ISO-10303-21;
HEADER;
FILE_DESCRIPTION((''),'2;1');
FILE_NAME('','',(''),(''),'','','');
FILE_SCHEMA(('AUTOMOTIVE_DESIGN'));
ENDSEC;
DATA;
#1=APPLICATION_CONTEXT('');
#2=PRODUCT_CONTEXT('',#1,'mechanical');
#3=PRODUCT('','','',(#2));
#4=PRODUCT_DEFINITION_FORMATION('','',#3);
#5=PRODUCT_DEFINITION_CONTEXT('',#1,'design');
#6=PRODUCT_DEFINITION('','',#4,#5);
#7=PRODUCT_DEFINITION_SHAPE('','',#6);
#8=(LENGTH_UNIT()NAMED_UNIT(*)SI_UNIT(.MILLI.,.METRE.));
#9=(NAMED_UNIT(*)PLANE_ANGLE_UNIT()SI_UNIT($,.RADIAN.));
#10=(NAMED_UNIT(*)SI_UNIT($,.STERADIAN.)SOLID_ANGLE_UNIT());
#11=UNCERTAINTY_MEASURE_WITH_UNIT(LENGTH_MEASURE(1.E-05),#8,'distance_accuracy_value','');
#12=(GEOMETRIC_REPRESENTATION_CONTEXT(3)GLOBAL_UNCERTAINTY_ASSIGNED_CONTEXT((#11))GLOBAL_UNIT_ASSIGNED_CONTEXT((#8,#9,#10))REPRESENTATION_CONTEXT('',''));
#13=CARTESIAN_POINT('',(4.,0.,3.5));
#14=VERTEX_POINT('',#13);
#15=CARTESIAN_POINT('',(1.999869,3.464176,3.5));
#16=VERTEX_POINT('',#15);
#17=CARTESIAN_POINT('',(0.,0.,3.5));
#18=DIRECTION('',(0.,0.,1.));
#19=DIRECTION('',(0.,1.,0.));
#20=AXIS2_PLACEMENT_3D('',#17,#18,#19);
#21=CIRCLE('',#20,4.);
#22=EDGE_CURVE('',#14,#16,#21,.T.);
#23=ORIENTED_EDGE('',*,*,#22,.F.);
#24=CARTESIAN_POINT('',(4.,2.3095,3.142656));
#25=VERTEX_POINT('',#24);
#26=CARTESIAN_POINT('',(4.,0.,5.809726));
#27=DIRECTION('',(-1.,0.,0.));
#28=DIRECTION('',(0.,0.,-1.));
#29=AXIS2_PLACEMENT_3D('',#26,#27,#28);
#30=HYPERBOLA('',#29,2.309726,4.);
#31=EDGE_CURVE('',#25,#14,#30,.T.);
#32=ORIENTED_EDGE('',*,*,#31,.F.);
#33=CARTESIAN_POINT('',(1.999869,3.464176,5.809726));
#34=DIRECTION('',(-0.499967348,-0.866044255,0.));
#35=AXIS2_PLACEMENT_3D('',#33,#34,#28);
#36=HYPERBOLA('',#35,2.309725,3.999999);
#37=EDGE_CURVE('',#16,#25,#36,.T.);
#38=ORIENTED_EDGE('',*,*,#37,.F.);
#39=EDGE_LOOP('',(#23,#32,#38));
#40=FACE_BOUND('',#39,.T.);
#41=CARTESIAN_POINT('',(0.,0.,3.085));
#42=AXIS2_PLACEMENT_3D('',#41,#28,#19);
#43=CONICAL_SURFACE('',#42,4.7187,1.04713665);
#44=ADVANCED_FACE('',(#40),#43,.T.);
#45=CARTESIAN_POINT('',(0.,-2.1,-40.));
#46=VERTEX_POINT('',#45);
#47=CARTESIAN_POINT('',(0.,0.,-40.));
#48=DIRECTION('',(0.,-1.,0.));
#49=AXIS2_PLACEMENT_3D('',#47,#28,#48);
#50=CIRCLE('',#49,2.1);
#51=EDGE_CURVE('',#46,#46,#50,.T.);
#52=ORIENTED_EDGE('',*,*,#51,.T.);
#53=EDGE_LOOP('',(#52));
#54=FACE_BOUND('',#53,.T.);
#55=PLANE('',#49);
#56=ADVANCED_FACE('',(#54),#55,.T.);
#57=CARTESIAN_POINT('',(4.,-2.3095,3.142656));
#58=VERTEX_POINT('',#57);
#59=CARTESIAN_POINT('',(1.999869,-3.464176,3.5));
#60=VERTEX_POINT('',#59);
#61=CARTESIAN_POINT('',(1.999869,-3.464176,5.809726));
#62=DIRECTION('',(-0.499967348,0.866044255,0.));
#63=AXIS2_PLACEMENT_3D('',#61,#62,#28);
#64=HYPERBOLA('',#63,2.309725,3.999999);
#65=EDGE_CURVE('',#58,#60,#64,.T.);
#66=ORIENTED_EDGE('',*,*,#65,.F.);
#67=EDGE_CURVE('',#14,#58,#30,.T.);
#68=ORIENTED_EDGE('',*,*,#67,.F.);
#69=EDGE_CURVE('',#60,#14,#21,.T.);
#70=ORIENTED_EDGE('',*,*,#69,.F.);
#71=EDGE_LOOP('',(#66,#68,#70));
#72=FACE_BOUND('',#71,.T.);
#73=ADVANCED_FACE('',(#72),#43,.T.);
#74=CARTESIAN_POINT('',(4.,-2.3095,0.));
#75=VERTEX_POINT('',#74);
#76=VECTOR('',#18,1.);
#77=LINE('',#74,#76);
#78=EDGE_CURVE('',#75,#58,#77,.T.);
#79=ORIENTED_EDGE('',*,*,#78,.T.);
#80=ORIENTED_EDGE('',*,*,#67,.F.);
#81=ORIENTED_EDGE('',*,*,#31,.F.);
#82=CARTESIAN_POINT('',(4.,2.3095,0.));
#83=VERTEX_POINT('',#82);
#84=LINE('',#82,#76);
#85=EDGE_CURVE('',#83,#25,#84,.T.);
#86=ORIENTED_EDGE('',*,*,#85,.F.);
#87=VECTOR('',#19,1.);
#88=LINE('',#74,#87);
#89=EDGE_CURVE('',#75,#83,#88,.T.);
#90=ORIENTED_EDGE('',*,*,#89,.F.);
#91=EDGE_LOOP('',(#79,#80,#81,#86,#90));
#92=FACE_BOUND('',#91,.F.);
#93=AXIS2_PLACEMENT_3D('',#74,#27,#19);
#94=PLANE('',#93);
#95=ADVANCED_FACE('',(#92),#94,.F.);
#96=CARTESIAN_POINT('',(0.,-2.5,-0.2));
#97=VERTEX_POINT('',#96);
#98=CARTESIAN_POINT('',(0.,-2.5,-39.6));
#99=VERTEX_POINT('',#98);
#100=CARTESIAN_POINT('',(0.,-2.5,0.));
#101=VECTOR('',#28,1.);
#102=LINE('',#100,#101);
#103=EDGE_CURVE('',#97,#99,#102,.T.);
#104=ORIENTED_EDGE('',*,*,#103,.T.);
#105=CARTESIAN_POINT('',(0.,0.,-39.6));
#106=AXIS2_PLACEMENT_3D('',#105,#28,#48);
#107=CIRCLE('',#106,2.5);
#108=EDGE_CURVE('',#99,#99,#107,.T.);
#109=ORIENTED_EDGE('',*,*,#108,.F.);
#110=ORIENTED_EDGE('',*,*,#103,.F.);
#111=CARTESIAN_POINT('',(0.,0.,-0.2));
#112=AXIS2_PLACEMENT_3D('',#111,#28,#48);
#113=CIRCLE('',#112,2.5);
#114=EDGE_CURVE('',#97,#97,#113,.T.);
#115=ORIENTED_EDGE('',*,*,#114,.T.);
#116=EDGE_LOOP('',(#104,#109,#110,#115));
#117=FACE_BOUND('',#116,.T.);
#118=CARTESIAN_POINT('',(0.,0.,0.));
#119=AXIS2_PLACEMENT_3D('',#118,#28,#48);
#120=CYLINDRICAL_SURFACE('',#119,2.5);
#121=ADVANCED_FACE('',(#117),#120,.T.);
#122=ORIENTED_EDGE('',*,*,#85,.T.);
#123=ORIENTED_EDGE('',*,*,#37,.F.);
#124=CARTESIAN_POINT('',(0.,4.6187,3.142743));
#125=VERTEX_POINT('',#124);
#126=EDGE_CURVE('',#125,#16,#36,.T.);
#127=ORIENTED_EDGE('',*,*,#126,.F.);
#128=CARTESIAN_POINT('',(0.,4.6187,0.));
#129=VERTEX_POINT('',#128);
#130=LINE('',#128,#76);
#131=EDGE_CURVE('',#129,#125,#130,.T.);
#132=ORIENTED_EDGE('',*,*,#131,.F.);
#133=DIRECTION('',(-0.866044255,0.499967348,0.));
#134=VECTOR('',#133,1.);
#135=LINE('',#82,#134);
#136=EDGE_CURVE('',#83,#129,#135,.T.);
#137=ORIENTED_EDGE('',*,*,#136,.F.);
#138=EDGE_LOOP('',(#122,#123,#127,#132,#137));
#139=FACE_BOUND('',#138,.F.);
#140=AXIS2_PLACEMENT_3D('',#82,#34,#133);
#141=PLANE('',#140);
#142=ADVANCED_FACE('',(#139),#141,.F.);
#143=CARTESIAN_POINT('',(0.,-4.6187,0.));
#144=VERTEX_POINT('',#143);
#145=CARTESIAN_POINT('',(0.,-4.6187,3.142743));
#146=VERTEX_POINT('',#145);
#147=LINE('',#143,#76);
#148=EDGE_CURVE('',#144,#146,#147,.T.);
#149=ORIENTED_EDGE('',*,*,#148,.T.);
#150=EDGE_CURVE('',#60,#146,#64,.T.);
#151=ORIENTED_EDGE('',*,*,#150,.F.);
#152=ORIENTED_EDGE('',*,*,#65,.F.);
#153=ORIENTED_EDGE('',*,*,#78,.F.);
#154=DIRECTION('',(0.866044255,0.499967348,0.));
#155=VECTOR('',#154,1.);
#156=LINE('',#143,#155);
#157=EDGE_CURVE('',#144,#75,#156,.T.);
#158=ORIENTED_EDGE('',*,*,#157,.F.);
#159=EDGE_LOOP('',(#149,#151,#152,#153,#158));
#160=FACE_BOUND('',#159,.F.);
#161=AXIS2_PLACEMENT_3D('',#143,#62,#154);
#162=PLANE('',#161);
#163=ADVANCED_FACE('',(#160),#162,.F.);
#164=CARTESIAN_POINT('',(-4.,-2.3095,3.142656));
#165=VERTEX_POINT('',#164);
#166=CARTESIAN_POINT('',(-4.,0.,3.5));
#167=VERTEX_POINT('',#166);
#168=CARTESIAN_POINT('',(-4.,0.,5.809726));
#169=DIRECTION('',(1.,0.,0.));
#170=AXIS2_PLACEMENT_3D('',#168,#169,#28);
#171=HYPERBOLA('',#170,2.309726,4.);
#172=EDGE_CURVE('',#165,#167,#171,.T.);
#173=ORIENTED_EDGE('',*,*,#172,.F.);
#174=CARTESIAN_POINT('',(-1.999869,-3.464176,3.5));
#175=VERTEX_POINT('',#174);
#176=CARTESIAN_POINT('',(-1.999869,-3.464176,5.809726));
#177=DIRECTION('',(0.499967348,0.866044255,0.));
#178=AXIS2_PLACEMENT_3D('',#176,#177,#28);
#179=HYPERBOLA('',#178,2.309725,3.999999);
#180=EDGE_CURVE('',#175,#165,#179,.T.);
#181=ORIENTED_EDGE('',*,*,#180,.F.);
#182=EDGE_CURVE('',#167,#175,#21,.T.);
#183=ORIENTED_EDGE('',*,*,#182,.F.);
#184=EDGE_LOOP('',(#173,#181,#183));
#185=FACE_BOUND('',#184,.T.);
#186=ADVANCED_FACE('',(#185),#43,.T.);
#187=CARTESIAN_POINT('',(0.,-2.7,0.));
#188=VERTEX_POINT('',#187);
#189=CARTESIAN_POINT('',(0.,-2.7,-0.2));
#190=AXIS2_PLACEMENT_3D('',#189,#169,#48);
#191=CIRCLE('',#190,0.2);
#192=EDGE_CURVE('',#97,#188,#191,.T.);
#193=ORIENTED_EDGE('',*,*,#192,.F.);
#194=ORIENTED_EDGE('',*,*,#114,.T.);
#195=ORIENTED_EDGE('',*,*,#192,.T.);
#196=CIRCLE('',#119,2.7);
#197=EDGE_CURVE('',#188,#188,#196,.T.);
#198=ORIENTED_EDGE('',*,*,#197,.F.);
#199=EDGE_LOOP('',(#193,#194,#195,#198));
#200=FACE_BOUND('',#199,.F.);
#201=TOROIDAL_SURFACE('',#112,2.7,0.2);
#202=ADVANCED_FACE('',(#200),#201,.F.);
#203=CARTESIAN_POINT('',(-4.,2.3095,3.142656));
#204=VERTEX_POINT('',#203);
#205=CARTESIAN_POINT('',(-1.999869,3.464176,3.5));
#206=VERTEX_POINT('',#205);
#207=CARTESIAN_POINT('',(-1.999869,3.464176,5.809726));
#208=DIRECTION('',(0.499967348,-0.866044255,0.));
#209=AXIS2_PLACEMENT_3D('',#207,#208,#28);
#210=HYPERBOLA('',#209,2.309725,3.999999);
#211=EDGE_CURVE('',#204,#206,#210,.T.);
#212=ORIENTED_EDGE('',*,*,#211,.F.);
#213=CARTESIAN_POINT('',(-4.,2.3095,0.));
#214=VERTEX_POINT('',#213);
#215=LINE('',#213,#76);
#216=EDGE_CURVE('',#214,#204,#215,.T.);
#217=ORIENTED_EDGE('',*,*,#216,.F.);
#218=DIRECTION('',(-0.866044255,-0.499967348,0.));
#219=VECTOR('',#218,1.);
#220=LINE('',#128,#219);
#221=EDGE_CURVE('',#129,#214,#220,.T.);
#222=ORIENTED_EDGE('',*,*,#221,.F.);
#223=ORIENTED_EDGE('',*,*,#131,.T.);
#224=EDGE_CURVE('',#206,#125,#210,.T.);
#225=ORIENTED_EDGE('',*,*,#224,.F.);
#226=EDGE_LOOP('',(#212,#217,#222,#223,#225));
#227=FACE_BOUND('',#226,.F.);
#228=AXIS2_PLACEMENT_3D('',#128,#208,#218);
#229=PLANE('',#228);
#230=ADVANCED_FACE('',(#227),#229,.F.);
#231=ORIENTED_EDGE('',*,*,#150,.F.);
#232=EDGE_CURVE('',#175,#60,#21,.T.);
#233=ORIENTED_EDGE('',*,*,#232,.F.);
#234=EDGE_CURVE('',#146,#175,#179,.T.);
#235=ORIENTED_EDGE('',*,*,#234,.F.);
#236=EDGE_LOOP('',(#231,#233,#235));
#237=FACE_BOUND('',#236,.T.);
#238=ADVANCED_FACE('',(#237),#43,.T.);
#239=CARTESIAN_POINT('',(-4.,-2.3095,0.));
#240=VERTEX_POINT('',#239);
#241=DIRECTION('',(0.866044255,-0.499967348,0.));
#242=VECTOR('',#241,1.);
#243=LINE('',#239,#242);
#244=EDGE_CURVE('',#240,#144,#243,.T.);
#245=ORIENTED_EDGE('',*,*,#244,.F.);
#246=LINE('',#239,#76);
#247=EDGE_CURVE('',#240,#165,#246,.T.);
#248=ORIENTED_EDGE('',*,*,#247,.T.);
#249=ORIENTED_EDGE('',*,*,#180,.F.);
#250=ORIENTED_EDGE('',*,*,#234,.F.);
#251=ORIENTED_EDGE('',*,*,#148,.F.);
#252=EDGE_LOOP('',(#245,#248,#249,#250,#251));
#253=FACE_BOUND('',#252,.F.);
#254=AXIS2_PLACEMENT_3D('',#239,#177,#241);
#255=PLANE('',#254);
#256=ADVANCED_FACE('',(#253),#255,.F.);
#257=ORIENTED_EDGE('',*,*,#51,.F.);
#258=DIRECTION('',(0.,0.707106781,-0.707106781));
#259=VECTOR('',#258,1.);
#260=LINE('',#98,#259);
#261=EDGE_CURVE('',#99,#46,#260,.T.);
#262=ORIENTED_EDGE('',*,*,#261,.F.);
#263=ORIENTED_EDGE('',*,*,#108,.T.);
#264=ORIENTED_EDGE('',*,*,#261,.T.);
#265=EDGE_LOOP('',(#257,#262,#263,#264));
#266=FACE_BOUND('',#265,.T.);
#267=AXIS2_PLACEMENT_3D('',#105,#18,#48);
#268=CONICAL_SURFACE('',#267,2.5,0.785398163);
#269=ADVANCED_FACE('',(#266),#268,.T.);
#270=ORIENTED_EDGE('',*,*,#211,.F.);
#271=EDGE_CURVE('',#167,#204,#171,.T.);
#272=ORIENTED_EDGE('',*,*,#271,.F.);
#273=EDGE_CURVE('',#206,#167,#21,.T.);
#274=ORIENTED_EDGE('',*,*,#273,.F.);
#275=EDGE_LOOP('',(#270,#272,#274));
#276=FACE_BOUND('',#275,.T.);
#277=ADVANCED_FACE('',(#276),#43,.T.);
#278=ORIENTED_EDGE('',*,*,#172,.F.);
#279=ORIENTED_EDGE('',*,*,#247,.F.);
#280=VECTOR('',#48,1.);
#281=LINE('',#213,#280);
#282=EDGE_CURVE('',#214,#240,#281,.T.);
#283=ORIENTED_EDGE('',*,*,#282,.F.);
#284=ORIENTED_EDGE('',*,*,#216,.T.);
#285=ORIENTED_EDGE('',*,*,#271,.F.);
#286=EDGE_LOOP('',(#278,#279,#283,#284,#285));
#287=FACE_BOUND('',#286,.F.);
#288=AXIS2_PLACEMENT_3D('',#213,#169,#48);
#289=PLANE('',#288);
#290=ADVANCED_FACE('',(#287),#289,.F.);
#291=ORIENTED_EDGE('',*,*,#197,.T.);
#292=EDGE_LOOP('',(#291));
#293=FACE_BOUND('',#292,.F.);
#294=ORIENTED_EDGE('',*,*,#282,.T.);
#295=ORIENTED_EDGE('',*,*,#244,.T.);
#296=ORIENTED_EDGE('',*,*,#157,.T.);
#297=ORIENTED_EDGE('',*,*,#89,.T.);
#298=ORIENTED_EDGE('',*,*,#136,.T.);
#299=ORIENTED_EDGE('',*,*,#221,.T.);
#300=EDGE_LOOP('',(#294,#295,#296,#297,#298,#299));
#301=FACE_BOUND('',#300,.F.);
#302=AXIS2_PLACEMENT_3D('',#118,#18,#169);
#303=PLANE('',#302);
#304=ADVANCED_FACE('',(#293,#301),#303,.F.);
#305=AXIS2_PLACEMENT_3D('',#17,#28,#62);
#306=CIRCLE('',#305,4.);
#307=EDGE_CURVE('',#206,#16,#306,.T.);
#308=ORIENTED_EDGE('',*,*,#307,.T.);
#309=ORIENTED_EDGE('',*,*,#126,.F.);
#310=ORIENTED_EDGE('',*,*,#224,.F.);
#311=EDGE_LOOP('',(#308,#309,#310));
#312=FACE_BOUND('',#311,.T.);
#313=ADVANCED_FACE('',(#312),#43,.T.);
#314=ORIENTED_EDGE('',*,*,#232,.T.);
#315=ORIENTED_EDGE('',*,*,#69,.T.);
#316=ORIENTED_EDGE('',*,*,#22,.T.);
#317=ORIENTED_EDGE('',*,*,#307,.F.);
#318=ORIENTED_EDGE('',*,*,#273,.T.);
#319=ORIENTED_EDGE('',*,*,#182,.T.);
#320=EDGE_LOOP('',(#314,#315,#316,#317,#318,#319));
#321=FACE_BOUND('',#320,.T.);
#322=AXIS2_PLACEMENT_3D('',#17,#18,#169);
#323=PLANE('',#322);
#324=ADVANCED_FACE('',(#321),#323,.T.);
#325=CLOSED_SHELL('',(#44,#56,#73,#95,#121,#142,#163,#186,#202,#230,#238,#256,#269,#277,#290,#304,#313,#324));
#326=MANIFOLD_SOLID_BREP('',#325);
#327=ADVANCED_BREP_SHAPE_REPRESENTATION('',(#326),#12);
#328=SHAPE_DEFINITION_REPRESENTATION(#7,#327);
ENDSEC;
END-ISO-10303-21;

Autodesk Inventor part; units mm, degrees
ref_plane "WorkPlane1" through (0, 0, 0) normal (0, 0, 1) x (1, 0, 0)
sketch "Sketch1" plane through (0, 0, 0) normal (0, 0, 1) x (1, 0, 0)
  point P0 (0, 0)
sketch "Sketch2" plane through (0, 0, 0) normal (0, 0, 1) x (1, 0, 0)
  line L0 (-4, 2.3095) -> (-4, -2.3095)
  line L1 (0, 4.6187) -> (-4, 2.3095)
  line L2 (4, 2.3095) -> (0, 4.6187)
  line L3 (4, -2.3095) -> (4, 2.3095)
  line L4 (0, -4.6187) -> (4, -2.3095)
  line L5 (-4, -2.3095) -> (0, -4.6187)
  circle A0 centre (0, 0) radius 4 construction
  dimension "d1" = 8
  dimension "d29" = 0
  dimension "d30" = 0
extrude "Extrusion1" add sketch "Sketch2" along normal blind 3.5
sketch "Sketch3" plane through (0, 0, 0) normal (1, 0, 0) x (0, 1, 0)
  line L0 (4, 3.5) -> (4.7187, 3.5)
  line L1 (4.7187, 3.085) -> (4, 3.5)
  line L2 (4.7187, 3.5) -> (4.7187, 3.085)
  line L3 (0, -0.7) -> (0, 4.2) projected
  line L4 (4.6187, 0) -> (4.6187, 3.5) projected
  dimension "d25" = 0.1
  dimension "d26" = 0
  dimension "d27" = 60
  dimension "d28" = 4
revolve "Revolution1" cut sketch "Sketch3" angle 360 about axis through (0, 0, -10) along (0, 0, 1)
sketch "Sketch4" plane through (0, 0, 0) normal (1, 0, 0) x (0, 1, 0)
  line L0 (0, -40) -> (0, 0)
  line L1 (-2.5, -40) -> (0, -40)
  line L2 (-2.5, 0) -> (-2.5, -40)
  line L3 (0, 0) -> (-2.5, 0)
  line L4 (0, -40) -> (0, 0)
  line L5 (-3, 0) -> (0.5, 0) projected
  line L6 (0, -48) -> (0, 8) projected
  dimension "d18" = 2.5
  dimension "d20" = 40
  dimension "d33" = 0
  dimension "d34" = 0
revolve "Revolution2" add sketch "Sketch4" angle 360 about axis through (0, 0, -40) along (0, 0, -1)
chamfer "Chamfer1" distance 0.4 angle 45 1 edges at (0, 2.5, -40)
fillet "Fillet1" radius 0.2 1 edges at (0, 2.5, 0)
thread "Thread1" size "M5x0.8" class "6g" standard "ISO Metric profile" length 38.4
ref_plane "MSC_PF1" through (0, 0, 0) normal (1, 0, 0) x (0, 1, 0)
ref_plane "MSC_PT1" through (0, 0, 0) normal (0, 0, -1) x (-1, 0, 0)
equation "\"d22\" = 0.5 * PTC"
equation "\"d23\" = 0.5 * PTC"
equation "\"d24\" = r"
equation "\"d1\" = ParS"
equation "\"d6\" = ParK"
equation "\"b\" = NLG - 2 * PTC"
equation "\"d28\" = 0.5 * ParS"
equation "\"d18\" = 0.5 * NND"
equation "\"d20\" = NLG"
equation "\"NND\" = 5"
equation "\"NLG\" = 40"
equation "\"PTC\" = 0.8"
equation "\"ParK\" = 3.5"
equation "\"ParS\" = 8"
equation "\"msp_es\" = 0.577367 * ParS"
equation "\"r\" = 0.2"
equation "\"THREADDIA\" = NND"
properties part number "ISO 4018 - M5 x 40" material "Steel"
